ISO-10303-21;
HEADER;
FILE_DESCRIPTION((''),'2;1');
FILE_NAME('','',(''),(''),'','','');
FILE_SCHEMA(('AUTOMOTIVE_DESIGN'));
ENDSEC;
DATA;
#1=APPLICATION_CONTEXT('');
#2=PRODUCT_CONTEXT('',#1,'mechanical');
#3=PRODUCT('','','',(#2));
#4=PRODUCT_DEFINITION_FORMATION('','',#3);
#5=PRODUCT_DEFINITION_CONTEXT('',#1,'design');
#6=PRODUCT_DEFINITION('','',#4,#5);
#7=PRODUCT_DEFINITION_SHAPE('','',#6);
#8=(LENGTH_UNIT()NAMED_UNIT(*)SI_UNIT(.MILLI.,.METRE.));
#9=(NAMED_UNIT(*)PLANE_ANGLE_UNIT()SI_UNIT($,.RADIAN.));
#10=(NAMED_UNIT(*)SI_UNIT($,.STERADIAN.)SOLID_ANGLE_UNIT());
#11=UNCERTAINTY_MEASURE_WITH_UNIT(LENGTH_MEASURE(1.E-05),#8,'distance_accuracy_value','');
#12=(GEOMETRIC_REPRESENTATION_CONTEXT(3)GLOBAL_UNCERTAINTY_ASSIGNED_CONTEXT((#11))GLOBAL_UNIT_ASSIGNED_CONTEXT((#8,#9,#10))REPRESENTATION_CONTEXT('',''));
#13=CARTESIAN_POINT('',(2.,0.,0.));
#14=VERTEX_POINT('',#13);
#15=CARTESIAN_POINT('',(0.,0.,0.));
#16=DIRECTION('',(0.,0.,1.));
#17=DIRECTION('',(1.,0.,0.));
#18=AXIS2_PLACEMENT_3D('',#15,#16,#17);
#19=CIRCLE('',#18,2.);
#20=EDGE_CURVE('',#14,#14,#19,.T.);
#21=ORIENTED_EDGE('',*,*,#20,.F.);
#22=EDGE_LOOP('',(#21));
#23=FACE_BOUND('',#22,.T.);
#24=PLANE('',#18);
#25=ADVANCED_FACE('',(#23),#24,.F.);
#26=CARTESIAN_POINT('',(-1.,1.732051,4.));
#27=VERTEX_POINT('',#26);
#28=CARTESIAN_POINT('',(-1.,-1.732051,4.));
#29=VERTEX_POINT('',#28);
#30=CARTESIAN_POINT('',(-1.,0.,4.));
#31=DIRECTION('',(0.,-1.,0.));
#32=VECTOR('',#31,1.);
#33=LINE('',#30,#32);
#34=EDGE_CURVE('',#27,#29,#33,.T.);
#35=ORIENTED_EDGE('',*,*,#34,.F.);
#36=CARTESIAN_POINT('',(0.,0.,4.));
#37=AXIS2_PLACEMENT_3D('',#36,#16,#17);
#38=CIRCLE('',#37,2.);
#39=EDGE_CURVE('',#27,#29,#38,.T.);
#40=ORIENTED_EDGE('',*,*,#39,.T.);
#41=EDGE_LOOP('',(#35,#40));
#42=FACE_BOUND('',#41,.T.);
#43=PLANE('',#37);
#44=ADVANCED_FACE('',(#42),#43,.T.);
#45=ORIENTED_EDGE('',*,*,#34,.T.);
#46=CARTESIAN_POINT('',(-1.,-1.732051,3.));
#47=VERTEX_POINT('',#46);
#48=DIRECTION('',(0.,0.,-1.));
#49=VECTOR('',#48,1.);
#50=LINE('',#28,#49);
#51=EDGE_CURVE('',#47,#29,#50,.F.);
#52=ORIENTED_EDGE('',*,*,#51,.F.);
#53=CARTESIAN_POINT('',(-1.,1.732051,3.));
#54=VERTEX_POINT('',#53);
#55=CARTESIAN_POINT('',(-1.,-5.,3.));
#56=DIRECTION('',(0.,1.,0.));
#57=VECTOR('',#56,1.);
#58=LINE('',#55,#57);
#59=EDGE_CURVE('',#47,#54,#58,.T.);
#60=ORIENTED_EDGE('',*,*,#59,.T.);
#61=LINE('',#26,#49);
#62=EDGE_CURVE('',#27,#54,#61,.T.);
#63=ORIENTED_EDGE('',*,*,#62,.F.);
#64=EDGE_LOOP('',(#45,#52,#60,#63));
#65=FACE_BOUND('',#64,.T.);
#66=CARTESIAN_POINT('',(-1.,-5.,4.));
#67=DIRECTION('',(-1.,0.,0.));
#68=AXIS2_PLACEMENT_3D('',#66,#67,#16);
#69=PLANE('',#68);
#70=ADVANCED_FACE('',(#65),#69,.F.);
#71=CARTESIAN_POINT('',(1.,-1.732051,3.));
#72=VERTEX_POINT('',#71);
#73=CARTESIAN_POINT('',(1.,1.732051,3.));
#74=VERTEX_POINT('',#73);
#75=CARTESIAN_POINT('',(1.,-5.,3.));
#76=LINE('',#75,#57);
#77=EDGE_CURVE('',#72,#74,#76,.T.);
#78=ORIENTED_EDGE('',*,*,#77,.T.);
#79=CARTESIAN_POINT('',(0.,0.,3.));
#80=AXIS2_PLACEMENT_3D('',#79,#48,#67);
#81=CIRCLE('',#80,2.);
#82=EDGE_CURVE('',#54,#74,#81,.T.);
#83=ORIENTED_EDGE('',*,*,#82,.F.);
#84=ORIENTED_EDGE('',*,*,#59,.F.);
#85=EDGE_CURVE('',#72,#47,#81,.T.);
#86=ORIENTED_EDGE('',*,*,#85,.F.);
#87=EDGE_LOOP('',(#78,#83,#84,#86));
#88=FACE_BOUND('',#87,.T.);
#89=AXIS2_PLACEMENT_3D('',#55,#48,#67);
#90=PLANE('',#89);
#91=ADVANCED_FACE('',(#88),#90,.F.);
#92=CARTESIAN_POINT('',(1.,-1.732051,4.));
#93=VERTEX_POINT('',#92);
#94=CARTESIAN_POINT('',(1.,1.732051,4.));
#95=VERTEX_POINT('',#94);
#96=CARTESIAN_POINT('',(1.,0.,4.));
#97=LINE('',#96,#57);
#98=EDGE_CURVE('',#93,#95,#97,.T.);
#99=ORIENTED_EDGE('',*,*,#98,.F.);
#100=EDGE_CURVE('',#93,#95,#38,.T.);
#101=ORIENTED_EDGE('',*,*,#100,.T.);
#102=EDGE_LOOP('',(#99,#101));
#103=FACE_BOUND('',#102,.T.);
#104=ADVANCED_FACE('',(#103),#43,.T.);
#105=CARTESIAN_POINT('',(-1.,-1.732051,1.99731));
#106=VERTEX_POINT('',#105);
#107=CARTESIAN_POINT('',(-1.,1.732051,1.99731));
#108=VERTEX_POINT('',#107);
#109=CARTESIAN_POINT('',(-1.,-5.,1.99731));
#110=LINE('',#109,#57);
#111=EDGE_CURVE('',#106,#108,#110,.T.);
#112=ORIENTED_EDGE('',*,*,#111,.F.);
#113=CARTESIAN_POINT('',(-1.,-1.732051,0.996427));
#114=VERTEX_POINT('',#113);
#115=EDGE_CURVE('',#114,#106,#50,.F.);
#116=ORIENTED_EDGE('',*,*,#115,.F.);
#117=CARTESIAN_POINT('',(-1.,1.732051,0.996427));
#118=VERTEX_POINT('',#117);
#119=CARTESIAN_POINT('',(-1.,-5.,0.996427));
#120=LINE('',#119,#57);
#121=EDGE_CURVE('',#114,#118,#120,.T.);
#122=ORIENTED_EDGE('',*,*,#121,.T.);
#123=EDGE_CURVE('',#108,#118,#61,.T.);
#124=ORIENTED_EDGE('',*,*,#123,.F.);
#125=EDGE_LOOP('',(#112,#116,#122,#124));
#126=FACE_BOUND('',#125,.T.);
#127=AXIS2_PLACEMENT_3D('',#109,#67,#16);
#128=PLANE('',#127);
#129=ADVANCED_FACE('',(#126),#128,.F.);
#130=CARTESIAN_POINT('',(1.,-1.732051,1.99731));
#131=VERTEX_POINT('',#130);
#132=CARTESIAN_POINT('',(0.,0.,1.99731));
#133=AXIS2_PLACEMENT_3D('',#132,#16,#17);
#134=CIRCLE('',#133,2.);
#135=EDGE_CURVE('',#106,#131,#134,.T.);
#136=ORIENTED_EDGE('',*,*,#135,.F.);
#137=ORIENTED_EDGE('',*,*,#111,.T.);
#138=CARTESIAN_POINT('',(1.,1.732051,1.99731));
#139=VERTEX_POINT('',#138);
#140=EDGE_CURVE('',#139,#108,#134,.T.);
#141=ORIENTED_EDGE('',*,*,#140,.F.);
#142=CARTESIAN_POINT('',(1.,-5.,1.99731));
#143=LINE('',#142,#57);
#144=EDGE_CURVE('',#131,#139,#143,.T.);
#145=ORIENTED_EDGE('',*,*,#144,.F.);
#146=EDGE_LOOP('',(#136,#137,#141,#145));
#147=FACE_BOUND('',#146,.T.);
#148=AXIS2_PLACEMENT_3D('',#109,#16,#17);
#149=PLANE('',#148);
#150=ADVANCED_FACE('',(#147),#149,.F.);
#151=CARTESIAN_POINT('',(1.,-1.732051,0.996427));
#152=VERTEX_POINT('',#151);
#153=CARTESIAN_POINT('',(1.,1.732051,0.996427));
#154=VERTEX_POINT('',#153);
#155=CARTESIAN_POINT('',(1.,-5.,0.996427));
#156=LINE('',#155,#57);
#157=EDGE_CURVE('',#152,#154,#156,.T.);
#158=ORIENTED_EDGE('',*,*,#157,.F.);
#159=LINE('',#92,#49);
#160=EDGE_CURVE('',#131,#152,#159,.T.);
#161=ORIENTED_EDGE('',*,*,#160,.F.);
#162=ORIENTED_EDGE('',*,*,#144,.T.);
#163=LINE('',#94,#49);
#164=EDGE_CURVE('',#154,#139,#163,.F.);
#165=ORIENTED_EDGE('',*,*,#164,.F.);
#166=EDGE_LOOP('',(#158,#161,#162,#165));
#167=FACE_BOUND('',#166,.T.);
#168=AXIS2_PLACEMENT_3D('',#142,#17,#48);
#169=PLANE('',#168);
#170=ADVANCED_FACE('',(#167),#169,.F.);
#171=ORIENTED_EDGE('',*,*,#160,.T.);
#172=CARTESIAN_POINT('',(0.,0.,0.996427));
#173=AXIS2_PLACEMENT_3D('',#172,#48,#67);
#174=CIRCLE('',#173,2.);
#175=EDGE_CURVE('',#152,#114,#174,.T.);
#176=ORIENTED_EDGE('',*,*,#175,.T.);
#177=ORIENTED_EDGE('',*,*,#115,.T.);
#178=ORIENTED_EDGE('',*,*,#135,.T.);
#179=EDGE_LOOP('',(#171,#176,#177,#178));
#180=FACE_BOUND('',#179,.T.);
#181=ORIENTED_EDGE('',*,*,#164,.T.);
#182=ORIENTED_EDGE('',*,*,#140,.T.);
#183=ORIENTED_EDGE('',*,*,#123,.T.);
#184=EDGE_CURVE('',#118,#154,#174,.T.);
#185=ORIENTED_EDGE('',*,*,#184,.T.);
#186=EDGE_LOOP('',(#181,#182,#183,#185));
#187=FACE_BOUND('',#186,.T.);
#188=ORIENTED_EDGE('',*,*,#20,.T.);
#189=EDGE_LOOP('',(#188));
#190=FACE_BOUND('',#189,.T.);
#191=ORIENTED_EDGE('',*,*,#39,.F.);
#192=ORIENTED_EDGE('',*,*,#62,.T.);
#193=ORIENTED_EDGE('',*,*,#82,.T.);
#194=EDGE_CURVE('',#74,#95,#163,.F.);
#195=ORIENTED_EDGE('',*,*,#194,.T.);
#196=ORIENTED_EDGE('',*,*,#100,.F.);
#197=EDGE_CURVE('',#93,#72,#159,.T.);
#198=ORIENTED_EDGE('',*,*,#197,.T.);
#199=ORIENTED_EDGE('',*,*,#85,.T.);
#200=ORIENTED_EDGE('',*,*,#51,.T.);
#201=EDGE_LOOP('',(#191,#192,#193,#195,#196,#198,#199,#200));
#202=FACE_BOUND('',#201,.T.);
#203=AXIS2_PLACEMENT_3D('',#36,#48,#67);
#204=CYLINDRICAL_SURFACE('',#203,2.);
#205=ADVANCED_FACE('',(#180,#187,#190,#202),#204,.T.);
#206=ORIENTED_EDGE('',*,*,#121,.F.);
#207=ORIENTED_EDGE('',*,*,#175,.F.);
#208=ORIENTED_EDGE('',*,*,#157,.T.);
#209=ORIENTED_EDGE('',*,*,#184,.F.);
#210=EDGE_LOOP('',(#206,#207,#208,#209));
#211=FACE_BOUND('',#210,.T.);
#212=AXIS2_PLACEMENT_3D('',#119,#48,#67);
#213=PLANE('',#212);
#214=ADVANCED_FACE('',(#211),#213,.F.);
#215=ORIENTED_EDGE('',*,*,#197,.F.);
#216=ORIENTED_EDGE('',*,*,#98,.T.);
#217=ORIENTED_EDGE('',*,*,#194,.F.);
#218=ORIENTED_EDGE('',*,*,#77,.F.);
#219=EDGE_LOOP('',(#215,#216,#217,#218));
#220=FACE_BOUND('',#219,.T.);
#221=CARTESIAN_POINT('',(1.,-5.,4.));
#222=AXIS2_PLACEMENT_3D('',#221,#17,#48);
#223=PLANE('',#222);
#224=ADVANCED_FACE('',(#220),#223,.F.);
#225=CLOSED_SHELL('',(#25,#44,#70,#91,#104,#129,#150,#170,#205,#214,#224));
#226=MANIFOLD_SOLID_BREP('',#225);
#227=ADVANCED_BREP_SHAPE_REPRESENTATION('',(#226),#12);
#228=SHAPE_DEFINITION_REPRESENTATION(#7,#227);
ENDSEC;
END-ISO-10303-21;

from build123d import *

# Parameters (mm, degrees)
SKETCH1_R           = 2
BOSS_EXTRUDE1_DEPTH = 4
SKETCH2_W           = 2
SKETCH2_H           = 1
SKETCH2_H_2         = 1.000882883
CUT_EXTRUDE1_DEPTH  = 5


with BuildPart() as part:
    # Sketch1 → Boss-Extrude1 (new body)
    with BuildSketch(Plane.XY):
        Circle(SKETCH1_R)
    extrude(amount=BOSS_EXTRUDE1_DEPTH)

    # Sketch2 → Cut-Extrude1 (cut, symmetric)
    with BuildSketch(Plane(origin=(0, 0, 0), x_dir=(1, 0, 0), z_dir=(0, 1, 0))):
        with Locations((0, -3.5)):
            Rectangle(SKETCH2_W, SKETCH2_H)
        with Locations((0, -1.496868109)):
            Rectangle(SKETCH2_W, SKETCH2_H_2)
    extrude(amount=CUT_EXTRUDE1_DEPTH, both=True, mode=Mode.SUBTRACT)


solid = part.part
